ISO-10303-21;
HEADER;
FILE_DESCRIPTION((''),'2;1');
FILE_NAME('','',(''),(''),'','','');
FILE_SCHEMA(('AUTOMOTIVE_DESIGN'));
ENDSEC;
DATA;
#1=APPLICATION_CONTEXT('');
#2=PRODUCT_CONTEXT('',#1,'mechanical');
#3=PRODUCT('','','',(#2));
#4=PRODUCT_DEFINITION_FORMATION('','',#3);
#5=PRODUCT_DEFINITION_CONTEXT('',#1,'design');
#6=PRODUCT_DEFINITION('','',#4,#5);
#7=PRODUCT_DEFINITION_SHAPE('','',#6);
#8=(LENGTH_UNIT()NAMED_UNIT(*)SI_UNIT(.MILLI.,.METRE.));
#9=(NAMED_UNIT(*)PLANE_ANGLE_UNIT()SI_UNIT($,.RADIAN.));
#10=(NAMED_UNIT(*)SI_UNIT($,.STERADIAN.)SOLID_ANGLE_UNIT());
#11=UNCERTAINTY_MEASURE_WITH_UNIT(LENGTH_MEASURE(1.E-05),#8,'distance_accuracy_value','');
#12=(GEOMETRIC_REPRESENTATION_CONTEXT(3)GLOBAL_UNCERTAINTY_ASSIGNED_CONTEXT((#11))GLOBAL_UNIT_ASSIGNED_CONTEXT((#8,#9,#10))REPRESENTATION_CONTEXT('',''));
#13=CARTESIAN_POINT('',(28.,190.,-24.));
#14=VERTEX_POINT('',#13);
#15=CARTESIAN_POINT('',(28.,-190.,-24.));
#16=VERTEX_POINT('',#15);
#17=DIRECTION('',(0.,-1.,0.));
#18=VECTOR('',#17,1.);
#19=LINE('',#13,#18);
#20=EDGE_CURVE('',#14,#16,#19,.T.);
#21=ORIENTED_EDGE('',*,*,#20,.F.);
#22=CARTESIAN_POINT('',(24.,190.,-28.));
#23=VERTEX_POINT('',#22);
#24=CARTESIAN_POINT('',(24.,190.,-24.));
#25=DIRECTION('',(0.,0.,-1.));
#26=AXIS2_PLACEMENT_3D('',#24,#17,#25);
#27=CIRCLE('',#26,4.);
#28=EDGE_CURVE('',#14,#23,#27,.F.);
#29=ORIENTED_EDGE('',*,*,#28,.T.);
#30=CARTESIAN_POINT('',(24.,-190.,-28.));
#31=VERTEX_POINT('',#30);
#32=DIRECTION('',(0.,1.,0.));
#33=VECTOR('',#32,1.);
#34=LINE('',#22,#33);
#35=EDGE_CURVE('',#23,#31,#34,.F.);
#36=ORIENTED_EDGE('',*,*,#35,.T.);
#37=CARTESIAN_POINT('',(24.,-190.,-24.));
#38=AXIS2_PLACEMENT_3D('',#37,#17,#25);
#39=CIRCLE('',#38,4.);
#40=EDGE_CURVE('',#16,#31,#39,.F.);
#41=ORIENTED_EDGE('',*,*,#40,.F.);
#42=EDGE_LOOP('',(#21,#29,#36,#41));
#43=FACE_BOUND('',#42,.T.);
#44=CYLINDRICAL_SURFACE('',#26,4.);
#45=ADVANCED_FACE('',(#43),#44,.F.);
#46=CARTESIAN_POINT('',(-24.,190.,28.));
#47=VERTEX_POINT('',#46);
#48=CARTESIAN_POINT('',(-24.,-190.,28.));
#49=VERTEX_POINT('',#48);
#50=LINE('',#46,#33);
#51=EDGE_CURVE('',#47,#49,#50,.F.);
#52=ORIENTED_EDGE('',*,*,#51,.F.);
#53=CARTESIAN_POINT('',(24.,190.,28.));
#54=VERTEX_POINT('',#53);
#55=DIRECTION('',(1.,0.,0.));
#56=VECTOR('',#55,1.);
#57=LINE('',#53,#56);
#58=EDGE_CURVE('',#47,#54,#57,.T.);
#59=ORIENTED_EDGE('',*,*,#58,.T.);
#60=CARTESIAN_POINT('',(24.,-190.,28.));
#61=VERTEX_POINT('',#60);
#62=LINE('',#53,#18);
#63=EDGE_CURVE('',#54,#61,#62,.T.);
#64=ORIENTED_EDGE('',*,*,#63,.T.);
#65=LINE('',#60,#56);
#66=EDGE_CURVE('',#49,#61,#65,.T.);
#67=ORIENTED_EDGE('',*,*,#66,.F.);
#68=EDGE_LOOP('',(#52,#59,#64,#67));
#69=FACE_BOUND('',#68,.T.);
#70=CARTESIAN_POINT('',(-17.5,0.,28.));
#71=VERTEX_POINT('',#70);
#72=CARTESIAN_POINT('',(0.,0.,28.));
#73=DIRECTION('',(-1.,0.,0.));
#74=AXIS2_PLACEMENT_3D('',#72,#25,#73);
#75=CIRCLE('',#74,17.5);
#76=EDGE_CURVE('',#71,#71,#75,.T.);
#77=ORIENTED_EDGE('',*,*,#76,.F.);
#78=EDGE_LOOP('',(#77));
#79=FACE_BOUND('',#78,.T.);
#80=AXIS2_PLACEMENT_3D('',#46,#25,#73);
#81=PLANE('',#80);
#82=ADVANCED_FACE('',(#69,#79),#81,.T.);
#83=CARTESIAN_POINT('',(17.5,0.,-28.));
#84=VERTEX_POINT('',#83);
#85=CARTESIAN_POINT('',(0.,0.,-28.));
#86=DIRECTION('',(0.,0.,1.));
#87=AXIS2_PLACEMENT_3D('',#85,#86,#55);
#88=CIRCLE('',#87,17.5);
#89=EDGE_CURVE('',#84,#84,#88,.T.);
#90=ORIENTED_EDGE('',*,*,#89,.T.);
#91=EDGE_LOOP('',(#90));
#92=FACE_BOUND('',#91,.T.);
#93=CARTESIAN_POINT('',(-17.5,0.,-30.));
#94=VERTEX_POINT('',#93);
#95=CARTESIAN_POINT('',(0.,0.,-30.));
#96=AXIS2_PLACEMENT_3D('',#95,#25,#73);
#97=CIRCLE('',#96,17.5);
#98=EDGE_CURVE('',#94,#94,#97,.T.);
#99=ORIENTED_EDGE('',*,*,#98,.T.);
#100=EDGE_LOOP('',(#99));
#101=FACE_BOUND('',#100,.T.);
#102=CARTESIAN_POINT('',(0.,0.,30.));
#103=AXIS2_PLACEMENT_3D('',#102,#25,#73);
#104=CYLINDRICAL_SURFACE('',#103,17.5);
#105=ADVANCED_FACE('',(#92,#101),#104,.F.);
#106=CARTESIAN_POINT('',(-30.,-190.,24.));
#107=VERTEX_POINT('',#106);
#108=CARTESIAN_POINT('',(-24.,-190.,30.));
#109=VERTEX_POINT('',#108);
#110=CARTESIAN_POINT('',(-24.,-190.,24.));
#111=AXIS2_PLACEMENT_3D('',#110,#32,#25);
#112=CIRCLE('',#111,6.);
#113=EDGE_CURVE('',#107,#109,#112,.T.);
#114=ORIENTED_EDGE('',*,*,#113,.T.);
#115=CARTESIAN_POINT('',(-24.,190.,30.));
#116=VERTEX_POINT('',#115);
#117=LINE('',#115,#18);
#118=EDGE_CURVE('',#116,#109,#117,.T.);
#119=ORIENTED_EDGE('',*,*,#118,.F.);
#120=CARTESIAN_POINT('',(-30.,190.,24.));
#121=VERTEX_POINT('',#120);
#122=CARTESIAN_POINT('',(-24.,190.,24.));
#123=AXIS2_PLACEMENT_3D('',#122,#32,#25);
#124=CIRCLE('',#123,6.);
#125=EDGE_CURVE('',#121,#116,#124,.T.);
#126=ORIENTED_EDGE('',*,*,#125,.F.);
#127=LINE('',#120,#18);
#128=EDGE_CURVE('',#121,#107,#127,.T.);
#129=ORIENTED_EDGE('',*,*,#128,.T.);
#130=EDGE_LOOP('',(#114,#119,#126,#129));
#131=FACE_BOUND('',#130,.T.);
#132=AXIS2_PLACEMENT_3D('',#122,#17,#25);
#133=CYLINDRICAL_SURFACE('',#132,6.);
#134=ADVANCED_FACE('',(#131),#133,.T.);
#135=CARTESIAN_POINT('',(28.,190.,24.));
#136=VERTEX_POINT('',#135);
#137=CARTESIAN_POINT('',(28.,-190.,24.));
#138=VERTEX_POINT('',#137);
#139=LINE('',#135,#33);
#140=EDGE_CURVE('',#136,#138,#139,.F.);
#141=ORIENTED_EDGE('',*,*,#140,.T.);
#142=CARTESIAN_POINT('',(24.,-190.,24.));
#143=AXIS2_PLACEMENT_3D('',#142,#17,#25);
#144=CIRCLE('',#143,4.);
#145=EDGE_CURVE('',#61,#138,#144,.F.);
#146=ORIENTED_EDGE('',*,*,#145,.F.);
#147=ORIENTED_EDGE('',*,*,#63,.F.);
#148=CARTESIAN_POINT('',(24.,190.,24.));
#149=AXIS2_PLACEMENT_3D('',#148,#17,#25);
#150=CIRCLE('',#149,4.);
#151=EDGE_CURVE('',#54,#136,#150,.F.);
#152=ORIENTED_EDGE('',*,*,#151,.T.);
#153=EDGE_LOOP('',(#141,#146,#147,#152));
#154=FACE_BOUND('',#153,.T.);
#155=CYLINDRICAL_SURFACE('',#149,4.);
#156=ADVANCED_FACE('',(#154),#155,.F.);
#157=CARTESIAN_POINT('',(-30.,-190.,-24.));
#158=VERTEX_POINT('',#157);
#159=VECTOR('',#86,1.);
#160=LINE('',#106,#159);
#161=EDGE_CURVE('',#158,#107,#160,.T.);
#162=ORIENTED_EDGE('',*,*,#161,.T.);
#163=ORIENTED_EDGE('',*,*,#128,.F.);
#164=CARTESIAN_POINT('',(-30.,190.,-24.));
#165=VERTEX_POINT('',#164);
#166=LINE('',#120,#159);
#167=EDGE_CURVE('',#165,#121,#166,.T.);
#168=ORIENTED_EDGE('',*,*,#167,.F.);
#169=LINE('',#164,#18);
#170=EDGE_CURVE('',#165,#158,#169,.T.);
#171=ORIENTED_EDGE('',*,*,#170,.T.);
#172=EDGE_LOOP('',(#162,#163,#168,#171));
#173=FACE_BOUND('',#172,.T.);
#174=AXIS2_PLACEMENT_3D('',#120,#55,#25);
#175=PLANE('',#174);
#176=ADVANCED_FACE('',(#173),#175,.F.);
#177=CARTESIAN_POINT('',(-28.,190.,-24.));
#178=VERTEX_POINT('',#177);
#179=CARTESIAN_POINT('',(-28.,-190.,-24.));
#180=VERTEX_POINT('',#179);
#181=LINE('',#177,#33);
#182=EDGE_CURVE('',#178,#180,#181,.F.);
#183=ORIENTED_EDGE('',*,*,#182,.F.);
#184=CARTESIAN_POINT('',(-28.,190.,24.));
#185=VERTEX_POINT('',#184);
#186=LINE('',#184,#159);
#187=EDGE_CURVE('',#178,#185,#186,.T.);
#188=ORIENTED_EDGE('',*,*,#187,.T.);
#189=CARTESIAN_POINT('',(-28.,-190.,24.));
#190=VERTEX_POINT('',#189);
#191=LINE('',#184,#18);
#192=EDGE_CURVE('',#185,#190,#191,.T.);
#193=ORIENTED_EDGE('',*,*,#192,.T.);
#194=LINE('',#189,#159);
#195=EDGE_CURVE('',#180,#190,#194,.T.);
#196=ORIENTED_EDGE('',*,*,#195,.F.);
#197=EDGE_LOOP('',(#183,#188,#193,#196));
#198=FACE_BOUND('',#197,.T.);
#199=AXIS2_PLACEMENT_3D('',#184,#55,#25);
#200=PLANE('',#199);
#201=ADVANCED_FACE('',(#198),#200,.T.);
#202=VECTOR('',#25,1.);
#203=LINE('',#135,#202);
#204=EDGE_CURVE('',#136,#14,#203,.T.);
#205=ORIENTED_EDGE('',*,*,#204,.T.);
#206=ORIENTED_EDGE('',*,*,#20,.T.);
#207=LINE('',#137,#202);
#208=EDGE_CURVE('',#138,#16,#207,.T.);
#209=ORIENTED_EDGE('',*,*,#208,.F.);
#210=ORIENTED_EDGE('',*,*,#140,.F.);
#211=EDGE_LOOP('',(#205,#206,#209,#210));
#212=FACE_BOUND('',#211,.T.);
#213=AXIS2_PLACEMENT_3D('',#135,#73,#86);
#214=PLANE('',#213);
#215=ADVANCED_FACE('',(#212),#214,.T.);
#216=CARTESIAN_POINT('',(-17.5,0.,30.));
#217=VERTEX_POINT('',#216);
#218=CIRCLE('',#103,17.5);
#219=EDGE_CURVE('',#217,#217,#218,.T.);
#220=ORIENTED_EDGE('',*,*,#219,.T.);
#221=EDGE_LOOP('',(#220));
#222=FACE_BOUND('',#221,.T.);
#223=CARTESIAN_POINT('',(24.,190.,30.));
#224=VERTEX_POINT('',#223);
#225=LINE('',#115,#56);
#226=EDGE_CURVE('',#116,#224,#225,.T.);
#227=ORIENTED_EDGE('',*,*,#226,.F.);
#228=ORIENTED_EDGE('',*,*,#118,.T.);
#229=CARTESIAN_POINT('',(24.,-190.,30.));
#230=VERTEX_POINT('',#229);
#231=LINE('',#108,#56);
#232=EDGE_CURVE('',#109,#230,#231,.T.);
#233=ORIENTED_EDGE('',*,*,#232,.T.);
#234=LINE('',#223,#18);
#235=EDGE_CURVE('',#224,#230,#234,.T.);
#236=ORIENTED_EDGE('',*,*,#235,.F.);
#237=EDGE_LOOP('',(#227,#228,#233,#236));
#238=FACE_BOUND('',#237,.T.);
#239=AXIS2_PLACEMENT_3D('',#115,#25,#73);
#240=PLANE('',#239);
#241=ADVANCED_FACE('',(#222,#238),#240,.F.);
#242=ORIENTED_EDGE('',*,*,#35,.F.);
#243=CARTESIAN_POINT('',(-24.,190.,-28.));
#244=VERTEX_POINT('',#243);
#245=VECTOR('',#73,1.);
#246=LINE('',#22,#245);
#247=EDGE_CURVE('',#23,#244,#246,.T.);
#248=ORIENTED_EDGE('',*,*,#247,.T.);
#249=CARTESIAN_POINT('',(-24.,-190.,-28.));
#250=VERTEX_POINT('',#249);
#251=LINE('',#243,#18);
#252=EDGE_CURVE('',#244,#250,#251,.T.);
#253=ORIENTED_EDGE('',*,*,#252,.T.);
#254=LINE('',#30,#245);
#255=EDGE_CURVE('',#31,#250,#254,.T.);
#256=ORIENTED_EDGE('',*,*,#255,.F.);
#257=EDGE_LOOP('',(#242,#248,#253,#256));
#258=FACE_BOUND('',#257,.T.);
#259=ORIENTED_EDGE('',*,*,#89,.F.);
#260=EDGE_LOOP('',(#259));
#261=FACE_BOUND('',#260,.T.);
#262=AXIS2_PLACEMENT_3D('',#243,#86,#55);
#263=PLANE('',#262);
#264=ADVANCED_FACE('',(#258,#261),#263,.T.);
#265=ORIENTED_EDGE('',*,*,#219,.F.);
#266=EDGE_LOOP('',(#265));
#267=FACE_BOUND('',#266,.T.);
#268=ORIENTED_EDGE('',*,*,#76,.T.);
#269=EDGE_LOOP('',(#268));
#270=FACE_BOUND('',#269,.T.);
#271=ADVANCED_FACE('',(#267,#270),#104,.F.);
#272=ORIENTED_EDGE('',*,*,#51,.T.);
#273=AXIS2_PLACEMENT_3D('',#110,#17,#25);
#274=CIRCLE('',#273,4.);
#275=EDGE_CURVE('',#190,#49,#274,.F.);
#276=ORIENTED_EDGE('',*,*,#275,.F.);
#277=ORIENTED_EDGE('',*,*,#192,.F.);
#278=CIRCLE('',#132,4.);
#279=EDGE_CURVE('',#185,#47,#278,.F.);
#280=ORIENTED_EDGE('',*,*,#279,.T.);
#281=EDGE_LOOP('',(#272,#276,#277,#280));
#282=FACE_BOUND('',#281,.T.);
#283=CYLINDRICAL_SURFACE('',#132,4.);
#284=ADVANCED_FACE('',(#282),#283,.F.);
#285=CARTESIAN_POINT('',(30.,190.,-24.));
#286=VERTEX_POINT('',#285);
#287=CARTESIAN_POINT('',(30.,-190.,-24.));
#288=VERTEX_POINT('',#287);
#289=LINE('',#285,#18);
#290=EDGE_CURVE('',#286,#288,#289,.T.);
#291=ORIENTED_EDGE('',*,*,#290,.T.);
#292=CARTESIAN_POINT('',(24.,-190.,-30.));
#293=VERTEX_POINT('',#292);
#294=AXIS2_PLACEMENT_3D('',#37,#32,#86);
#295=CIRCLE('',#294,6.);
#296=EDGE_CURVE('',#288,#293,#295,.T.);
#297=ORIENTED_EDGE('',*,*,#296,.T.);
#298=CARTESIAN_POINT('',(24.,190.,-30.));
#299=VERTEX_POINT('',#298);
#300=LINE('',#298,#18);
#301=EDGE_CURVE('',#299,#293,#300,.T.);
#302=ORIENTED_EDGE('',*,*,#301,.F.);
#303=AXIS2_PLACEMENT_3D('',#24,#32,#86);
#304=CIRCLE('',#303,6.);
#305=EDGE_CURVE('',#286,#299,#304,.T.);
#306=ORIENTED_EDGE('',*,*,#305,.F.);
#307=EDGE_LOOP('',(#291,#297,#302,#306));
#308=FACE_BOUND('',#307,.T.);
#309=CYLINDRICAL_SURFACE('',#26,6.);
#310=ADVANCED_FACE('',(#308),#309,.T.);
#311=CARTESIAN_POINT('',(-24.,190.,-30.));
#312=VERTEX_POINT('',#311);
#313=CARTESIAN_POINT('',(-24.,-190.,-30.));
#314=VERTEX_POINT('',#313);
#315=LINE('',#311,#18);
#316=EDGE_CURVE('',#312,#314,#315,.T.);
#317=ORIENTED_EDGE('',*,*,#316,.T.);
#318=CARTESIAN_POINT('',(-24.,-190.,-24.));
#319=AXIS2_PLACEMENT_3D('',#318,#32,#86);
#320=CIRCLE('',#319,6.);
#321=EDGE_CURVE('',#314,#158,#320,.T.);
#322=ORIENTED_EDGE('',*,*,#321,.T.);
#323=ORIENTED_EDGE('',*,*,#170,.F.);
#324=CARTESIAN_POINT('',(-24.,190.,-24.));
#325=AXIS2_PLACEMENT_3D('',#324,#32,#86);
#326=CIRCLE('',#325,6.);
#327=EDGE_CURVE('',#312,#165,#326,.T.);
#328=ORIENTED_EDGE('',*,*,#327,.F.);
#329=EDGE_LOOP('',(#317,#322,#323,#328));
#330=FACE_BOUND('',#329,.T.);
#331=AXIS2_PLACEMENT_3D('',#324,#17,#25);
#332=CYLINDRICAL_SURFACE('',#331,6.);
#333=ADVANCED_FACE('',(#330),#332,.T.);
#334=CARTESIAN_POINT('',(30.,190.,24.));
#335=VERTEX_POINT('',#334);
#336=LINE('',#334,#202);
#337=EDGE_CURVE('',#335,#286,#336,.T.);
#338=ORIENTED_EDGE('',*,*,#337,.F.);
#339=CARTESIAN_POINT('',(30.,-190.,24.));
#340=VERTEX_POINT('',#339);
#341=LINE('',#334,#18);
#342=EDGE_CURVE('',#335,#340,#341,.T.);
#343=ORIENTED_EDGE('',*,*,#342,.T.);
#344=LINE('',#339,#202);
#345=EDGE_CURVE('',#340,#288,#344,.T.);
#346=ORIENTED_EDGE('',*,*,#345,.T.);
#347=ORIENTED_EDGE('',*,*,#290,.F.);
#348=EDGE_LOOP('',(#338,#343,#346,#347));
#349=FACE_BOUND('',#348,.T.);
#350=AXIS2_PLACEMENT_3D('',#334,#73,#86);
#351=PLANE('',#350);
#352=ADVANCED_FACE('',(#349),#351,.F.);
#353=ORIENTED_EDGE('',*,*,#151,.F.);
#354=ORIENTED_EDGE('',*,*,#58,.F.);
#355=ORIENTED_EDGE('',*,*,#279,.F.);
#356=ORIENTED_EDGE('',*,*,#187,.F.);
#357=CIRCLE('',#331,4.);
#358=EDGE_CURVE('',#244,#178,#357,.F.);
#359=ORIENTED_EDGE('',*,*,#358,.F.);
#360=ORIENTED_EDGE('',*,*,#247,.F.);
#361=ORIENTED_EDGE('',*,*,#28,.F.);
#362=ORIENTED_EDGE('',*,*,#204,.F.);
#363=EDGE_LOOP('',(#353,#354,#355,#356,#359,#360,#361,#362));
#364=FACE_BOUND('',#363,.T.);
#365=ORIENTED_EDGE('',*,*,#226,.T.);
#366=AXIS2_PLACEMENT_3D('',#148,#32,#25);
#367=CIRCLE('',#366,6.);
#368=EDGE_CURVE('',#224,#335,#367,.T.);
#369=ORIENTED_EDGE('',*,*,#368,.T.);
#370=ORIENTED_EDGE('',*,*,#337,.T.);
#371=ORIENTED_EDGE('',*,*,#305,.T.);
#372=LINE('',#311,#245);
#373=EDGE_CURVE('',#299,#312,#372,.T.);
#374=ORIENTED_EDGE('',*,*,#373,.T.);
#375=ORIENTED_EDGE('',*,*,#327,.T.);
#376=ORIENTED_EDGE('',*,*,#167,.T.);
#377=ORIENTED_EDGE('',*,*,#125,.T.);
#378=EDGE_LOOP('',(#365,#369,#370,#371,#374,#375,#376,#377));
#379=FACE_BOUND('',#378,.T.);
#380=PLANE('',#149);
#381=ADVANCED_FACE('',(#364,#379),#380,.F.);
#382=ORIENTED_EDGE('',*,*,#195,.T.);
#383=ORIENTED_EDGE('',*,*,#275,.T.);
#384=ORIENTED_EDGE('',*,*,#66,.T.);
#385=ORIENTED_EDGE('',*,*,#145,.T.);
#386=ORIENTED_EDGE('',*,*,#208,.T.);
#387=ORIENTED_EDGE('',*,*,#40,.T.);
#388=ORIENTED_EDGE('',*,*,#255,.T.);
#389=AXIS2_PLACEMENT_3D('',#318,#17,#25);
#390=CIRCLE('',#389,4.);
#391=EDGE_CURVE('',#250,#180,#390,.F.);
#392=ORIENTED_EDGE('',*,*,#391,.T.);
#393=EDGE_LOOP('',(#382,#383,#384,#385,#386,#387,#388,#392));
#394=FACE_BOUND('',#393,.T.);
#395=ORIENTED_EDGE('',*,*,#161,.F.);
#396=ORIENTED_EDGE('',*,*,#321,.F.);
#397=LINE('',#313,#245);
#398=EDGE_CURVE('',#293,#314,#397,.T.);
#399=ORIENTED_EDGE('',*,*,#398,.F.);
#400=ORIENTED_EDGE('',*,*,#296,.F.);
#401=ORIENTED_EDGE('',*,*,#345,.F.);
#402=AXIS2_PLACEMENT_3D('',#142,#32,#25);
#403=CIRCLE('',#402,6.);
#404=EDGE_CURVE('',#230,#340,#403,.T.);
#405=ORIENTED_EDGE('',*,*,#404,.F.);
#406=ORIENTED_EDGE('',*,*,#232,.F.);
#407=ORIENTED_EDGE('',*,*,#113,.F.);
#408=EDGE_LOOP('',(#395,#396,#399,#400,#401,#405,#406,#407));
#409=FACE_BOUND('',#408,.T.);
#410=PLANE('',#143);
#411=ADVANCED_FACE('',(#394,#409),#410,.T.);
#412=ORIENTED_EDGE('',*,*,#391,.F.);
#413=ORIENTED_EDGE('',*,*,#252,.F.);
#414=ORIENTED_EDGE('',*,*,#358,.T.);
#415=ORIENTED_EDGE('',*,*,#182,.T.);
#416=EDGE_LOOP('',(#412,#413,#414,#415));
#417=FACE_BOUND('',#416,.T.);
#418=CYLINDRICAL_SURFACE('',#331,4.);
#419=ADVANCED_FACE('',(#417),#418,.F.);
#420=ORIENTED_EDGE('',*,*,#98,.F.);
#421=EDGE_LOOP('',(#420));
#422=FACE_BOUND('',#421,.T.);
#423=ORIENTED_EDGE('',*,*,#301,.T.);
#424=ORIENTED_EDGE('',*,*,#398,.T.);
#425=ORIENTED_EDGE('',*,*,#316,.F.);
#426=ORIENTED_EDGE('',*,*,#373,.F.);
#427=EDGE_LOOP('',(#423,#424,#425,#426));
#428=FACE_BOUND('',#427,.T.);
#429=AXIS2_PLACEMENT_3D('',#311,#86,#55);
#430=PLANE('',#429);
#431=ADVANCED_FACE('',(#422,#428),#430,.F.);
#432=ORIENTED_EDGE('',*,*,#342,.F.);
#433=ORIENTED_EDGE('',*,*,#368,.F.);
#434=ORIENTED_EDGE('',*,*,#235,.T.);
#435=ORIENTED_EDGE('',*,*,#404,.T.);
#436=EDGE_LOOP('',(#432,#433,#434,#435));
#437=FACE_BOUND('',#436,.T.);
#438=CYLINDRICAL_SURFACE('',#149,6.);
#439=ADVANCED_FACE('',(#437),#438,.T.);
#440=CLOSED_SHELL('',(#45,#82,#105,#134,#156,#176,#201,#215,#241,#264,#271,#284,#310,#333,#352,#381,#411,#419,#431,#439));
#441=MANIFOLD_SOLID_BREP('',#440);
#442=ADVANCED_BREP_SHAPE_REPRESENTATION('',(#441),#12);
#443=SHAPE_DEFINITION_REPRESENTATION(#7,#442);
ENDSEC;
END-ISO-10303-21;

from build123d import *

# Parameters (mm, degrees)
BOSS_EXTRUDE1_DEPTH = 190
SHELL1_T            = -2
SKETCH3_R           = 17.5
CUT_EXTRUDE2_DEPTH  = 61


with BuildPart() as part:
    # Sketch1 → Boss-Extrude1 (new body, symmetric)
    with BuildSketch(Plane(origin=(0, 0, 0), x_dir=(1, 0, 0), z_dir=(0, 1, 0))):
        with BuildLine():
            Line((-24, -30), (24, -30))
            ThreePointArc((24, -30), (28.242640687, -28.242640687), (30, -24))
            Line((30, -24), (30, 24))
            ThreePointArc((30, 24), (28.242640687, 28.242640687), (24, 30))
            Line((24, 30), (-24, 30))
            ThreePointArc((-24, 30), (-28.242640687, 28.242640687), (-30, 24))
            Line((-30, 24), (-30, -24))
            ThreePointArc((-30, -24), (-28.242640687, -28.242640687), (-24, -30))
        make_face()
    extrude(amount=BOSS_EXTRUDE1_DEPTH, both=True)

    # Shell1
    shell1_openings = [part.faces().sort_by_distance(p)[0] for p in [
        (0, 190, 0),
        (0, -190, 0),
    ]]
    offset(amount=SHELL1_T, openings=shell1_openings, kind=Kind.INTERSECTION)

    # Sketch3 → Cut-Extrude2 (cut, through all)
    with BuildSketch(Plane(origin=(0, 0, -30), x_dir=(-1, 0, 0), z_dir=(0, 0, -1))):
        Circle(SKETCH3_R)
    extrude(amount=-CUT_EXTRUDE2_DEPTH, mode=Mode.SUBTRACT)


solid = part.part
